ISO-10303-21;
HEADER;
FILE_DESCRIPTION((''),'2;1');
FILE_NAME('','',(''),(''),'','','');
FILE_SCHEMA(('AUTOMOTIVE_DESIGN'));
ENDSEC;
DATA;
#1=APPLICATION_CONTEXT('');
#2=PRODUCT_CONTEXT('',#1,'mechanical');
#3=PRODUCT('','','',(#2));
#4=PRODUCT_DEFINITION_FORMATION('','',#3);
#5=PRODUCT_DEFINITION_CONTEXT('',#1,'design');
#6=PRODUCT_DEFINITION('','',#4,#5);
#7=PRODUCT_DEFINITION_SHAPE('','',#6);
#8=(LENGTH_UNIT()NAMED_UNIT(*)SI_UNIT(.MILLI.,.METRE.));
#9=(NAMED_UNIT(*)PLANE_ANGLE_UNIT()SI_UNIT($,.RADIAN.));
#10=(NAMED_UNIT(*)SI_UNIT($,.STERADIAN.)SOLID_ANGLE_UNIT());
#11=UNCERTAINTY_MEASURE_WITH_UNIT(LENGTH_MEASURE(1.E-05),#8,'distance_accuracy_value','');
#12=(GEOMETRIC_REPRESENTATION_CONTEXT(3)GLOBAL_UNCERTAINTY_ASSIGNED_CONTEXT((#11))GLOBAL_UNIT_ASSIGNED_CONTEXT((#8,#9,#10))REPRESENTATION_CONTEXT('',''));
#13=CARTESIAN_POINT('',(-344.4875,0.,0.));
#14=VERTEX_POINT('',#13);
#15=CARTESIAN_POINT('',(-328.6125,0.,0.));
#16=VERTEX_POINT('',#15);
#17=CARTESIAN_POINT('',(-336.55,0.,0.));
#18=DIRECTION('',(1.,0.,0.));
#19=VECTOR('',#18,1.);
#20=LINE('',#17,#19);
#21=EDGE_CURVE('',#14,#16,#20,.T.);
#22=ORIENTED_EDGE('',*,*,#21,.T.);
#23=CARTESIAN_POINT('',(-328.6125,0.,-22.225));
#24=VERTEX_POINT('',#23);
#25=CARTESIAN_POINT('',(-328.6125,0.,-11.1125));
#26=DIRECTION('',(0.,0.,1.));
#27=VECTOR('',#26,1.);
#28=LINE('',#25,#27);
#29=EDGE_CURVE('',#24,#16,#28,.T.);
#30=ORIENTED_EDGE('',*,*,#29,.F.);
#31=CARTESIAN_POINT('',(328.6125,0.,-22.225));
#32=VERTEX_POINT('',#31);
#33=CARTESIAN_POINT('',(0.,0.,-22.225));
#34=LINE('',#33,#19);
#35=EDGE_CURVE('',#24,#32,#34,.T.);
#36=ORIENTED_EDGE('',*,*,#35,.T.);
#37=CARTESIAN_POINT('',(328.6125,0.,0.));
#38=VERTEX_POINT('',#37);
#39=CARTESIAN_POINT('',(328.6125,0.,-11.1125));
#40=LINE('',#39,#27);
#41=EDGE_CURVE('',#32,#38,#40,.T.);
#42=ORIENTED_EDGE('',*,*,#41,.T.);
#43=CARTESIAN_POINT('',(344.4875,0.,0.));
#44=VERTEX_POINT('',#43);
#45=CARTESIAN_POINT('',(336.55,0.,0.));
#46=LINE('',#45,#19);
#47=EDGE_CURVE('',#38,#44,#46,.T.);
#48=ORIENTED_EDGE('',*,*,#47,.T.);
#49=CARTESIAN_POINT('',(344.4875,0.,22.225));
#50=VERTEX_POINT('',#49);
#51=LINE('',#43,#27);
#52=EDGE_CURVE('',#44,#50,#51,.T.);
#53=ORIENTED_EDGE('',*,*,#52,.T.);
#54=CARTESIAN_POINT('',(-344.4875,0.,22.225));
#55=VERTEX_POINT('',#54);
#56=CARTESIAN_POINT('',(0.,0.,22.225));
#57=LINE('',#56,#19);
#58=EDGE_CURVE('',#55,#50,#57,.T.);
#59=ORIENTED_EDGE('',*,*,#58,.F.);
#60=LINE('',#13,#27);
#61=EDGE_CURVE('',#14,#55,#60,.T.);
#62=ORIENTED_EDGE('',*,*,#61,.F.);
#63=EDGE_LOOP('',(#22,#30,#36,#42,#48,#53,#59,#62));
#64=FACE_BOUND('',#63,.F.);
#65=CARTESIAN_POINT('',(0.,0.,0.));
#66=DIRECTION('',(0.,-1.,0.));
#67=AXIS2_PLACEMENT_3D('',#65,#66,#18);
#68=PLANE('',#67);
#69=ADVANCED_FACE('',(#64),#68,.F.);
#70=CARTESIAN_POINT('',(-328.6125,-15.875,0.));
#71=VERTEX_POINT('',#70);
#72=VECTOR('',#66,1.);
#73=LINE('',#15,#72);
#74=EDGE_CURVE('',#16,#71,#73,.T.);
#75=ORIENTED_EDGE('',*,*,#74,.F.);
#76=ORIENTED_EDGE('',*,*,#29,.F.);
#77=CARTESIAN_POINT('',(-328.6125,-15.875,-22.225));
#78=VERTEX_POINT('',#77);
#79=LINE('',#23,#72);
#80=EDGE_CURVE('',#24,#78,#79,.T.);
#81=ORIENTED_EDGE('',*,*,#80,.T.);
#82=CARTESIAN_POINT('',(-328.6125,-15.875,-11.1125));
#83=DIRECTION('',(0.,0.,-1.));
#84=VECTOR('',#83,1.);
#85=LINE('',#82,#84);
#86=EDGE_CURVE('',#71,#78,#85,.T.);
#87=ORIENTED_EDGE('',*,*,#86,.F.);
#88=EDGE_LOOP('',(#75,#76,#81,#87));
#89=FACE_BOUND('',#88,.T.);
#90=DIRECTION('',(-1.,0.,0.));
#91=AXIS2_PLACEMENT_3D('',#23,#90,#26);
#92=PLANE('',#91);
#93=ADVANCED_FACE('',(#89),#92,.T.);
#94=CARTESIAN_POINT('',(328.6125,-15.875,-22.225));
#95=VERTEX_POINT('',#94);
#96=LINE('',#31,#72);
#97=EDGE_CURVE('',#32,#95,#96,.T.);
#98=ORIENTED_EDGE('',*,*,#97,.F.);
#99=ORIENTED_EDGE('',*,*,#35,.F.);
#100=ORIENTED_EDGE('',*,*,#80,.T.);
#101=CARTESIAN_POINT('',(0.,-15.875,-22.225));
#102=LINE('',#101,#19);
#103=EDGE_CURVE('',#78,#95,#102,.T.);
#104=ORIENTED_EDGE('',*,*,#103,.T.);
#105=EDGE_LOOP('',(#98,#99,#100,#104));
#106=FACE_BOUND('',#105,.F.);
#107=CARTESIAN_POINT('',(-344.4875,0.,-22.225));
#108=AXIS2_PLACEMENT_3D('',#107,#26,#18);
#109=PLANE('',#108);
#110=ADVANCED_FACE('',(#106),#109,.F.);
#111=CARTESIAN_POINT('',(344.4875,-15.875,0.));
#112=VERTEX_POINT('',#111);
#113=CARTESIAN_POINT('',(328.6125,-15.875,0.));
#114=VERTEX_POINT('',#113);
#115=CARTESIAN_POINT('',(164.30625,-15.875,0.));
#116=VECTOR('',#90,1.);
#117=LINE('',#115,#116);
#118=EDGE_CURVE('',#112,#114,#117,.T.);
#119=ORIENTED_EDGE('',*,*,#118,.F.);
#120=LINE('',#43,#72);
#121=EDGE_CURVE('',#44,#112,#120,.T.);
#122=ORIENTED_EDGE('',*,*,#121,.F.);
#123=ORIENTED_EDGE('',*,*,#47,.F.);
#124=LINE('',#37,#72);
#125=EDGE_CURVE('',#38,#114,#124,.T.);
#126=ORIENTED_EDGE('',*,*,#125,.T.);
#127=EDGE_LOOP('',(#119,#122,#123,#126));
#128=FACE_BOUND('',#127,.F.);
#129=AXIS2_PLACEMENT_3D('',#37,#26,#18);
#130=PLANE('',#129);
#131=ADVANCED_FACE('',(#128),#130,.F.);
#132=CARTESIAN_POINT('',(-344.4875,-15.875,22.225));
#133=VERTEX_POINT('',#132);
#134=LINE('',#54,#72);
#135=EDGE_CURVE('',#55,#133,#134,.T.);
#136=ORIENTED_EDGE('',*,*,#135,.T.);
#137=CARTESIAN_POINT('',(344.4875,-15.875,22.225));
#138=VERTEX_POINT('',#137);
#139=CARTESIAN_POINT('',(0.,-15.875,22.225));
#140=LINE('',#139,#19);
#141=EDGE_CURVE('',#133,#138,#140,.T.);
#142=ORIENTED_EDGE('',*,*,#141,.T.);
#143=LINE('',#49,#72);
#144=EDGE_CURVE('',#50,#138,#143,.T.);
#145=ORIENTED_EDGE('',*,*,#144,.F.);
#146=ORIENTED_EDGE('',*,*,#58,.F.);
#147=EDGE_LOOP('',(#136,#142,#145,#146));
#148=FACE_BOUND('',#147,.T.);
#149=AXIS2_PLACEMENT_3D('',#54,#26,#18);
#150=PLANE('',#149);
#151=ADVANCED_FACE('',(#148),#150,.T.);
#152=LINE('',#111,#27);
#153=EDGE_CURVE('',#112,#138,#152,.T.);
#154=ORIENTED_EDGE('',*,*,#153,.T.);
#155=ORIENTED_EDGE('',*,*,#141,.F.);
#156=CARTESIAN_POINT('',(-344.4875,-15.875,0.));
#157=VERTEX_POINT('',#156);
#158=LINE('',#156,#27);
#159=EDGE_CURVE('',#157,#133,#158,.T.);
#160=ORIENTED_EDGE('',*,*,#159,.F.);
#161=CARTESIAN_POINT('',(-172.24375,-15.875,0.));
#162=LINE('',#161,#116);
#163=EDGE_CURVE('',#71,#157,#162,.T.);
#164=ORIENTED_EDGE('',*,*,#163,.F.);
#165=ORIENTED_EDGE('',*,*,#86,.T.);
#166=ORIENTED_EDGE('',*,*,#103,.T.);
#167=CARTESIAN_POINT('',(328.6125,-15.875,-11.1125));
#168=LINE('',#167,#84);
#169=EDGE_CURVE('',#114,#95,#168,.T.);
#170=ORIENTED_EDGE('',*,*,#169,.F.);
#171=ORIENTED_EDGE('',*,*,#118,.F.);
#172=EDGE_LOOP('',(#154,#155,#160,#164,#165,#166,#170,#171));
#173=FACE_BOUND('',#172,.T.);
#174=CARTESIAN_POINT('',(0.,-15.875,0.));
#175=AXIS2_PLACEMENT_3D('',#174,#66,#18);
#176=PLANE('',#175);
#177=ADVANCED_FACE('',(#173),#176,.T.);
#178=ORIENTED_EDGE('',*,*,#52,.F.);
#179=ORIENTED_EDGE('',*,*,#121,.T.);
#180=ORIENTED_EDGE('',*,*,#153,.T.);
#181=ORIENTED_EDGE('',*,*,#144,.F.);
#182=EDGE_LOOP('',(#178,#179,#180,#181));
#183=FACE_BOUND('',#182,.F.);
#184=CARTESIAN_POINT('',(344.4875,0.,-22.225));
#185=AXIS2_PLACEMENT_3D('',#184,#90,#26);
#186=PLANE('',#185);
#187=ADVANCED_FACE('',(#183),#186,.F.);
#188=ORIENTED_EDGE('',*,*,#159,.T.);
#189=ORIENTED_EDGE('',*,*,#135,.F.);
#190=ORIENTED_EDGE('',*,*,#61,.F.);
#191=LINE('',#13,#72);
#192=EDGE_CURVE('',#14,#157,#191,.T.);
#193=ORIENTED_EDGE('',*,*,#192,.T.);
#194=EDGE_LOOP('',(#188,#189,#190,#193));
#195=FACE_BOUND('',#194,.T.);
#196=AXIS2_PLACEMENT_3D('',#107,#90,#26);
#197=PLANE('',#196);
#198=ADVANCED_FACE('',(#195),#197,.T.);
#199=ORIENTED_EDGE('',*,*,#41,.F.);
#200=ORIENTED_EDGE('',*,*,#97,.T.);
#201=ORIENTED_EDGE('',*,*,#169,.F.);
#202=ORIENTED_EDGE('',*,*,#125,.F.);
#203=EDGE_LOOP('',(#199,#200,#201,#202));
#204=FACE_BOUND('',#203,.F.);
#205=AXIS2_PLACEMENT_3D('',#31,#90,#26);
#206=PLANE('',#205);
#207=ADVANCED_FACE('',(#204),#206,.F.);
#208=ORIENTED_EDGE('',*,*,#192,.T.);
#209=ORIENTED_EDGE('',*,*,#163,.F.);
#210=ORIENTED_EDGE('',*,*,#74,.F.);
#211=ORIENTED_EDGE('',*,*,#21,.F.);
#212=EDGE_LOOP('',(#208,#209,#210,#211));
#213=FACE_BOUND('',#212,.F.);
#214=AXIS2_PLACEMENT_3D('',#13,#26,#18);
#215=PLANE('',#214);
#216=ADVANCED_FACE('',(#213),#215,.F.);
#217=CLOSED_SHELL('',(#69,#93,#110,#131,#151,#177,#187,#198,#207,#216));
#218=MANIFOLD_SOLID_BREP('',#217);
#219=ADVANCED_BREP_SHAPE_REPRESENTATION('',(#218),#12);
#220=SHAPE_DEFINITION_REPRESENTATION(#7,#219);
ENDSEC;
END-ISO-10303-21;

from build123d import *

# Parameters (mm, degrees)
F0_W     = 688.975
F0_H     = 44.45
F1_DEPTH = 15.875
F2_W     = 15.875
F2_H     = 22.225
F3_DEPTH = 15.876


with BuildPart() as f1:
    # F0 (on Front) → F1 (new body)
    with BuildSketch(Plane.XZ):
        Rectangle(F0_W, F0_H)
    extrude(amount=F1_DEPTH)

    # F2 (on face) → F3 (cut, through all)
    with BuildSketch(Plane.XZ):
        with Locations((-336.55, -11.1125)):
            Rectangle(F2_W, F2_H)
        with Locations((336.55, -11.1125)):
            Rectangle(F2_W, F2_H)
    extrude(amount=F3_DEPTH, mode=Mode.SUBTRACT)


solid = f1.part
